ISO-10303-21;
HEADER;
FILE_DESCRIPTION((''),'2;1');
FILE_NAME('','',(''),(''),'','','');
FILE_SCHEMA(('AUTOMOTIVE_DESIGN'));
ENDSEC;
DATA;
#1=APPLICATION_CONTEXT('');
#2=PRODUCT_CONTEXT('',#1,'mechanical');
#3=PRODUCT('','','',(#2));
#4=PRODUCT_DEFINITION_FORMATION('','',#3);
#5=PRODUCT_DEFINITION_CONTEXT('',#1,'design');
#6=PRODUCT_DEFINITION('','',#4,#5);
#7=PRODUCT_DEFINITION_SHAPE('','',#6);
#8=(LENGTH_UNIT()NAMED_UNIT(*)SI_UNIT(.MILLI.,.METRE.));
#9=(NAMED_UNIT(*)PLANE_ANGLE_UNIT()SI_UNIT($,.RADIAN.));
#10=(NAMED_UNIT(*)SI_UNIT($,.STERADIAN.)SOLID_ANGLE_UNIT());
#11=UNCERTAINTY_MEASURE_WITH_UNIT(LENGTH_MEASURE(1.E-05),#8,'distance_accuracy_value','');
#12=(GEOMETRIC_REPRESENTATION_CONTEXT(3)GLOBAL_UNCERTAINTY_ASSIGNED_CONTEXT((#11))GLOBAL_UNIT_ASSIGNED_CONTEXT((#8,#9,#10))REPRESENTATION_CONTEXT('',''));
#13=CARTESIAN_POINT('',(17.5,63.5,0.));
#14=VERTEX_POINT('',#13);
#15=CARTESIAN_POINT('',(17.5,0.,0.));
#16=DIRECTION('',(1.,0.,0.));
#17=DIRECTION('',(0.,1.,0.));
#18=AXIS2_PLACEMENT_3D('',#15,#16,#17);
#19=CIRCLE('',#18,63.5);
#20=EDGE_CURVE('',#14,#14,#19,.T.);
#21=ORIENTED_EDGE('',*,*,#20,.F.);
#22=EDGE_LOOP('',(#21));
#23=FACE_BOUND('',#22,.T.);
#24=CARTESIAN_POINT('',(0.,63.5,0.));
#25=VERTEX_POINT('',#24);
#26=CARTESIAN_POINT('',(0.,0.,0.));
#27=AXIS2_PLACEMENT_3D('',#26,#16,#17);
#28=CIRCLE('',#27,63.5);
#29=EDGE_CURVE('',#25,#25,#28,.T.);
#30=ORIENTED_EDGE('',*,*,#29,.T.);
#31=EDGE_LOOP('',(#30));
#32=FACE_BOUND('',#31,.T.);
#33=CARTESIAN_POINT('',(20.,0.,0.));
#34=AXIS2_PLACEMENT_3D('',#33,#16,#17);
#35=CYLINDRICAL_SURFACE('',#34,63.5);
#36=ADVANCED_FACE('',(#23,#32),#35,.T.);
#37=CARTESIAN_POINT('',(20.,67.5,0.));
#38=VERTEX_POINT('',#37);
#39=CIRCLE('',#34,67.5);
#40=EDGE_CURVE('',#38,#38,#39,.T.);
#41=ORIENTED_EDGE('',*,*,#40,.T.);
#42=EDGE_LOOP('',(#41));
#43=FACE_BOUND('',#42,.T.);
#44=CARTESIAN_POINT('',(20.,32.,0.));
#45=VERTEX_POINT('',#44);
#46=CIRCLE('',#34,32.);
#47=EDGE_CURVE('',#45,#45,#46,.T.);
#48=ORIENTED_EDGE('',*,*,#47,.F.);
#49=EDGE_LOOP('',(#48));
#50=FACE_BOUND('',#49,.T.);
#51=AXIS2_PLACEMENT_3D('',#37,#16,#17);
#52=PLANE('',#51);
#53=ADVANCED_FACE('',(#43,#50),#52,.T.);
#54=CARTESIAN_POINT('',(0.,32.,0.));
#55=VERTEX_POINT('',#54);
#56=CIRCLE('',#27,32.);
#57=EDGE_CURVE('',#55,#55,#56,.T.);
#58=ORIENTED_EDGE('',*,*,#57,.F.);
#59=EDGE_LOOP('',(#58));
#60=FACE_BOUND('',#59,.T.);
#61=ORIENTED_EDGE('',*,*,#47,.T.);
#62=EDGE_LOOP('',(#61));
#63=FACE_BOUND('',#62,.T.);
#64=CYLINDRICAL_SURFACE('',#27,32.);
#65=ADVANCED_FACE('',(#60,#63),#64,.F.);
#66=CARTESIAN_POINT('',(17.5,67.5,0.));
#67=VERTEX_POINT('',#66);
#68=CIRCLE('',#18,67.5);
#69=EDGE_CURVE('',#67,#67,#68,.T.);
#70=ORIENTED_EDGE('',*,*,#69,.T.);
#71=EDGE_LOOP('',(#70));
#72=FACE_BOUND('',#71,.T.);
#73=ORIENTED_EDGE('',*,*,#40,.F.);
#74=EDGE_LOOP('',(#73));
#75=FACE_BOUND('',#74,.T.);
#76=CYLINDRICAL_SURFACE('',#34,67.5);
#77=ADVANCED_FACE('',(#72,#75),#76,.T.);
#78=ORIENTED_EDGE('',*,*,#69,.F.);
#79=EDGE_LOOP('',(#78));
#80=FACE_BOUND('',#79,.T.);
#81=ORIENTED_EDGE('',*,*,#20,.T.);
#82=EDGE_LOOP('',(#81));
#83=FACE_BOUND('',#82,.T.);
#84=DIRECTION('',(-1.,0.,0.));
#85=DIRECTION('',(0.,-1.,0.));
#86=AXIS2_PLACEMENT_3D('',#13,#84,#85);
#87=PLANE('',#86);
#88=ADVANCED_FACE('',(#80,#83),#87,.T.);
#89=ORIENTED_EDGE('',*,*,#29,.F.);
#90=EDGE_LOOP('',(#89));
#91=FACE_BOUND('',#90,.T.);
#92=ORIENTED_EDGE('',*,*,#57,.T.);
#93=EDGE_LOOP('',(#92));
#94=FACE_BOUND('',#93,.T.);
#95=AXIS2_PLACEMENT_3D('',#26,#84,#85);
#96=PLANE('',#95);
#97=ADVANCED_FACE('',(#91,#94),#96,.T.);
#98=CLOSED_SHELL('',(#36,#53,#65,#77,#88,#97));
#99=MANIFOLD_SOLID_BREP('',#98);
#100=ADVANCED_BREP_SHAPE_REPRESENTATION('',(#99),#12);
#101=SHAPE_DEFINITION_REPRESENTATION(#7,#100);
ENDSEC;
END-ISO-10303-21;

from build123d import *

# Parameters (mm, degrees)
SKETCH2_R          = 32
CUT_EXTRUDE1_DEPTH = 21


with BuildPart() as part:
    # Sketch1 → Revolve1 (revolve)
    with BuildSketch(Plane.XY):
        Polygon((0, 0), (0, 63.5), (17.5, 63.5), (17.5, 67.5), (20, 67.5), (20, 0), align=None)
    revolve(axis=Axis((20, 0, 0), (-1, 0, 0)))

    # Sketch2 → Cut-Extrude1 (cut, through all)
    with BuildSketch(Plane(origin=(20, 0, 0), x_dir=(0, 0, -1), z_dir=(1, 0, 0))):
        Circle(SKETCH2_R)
    extrude(amount=-CUT_EXTRUDE1_DEPTH, mode=Mode.SUBTRACT)


solid = part.part
